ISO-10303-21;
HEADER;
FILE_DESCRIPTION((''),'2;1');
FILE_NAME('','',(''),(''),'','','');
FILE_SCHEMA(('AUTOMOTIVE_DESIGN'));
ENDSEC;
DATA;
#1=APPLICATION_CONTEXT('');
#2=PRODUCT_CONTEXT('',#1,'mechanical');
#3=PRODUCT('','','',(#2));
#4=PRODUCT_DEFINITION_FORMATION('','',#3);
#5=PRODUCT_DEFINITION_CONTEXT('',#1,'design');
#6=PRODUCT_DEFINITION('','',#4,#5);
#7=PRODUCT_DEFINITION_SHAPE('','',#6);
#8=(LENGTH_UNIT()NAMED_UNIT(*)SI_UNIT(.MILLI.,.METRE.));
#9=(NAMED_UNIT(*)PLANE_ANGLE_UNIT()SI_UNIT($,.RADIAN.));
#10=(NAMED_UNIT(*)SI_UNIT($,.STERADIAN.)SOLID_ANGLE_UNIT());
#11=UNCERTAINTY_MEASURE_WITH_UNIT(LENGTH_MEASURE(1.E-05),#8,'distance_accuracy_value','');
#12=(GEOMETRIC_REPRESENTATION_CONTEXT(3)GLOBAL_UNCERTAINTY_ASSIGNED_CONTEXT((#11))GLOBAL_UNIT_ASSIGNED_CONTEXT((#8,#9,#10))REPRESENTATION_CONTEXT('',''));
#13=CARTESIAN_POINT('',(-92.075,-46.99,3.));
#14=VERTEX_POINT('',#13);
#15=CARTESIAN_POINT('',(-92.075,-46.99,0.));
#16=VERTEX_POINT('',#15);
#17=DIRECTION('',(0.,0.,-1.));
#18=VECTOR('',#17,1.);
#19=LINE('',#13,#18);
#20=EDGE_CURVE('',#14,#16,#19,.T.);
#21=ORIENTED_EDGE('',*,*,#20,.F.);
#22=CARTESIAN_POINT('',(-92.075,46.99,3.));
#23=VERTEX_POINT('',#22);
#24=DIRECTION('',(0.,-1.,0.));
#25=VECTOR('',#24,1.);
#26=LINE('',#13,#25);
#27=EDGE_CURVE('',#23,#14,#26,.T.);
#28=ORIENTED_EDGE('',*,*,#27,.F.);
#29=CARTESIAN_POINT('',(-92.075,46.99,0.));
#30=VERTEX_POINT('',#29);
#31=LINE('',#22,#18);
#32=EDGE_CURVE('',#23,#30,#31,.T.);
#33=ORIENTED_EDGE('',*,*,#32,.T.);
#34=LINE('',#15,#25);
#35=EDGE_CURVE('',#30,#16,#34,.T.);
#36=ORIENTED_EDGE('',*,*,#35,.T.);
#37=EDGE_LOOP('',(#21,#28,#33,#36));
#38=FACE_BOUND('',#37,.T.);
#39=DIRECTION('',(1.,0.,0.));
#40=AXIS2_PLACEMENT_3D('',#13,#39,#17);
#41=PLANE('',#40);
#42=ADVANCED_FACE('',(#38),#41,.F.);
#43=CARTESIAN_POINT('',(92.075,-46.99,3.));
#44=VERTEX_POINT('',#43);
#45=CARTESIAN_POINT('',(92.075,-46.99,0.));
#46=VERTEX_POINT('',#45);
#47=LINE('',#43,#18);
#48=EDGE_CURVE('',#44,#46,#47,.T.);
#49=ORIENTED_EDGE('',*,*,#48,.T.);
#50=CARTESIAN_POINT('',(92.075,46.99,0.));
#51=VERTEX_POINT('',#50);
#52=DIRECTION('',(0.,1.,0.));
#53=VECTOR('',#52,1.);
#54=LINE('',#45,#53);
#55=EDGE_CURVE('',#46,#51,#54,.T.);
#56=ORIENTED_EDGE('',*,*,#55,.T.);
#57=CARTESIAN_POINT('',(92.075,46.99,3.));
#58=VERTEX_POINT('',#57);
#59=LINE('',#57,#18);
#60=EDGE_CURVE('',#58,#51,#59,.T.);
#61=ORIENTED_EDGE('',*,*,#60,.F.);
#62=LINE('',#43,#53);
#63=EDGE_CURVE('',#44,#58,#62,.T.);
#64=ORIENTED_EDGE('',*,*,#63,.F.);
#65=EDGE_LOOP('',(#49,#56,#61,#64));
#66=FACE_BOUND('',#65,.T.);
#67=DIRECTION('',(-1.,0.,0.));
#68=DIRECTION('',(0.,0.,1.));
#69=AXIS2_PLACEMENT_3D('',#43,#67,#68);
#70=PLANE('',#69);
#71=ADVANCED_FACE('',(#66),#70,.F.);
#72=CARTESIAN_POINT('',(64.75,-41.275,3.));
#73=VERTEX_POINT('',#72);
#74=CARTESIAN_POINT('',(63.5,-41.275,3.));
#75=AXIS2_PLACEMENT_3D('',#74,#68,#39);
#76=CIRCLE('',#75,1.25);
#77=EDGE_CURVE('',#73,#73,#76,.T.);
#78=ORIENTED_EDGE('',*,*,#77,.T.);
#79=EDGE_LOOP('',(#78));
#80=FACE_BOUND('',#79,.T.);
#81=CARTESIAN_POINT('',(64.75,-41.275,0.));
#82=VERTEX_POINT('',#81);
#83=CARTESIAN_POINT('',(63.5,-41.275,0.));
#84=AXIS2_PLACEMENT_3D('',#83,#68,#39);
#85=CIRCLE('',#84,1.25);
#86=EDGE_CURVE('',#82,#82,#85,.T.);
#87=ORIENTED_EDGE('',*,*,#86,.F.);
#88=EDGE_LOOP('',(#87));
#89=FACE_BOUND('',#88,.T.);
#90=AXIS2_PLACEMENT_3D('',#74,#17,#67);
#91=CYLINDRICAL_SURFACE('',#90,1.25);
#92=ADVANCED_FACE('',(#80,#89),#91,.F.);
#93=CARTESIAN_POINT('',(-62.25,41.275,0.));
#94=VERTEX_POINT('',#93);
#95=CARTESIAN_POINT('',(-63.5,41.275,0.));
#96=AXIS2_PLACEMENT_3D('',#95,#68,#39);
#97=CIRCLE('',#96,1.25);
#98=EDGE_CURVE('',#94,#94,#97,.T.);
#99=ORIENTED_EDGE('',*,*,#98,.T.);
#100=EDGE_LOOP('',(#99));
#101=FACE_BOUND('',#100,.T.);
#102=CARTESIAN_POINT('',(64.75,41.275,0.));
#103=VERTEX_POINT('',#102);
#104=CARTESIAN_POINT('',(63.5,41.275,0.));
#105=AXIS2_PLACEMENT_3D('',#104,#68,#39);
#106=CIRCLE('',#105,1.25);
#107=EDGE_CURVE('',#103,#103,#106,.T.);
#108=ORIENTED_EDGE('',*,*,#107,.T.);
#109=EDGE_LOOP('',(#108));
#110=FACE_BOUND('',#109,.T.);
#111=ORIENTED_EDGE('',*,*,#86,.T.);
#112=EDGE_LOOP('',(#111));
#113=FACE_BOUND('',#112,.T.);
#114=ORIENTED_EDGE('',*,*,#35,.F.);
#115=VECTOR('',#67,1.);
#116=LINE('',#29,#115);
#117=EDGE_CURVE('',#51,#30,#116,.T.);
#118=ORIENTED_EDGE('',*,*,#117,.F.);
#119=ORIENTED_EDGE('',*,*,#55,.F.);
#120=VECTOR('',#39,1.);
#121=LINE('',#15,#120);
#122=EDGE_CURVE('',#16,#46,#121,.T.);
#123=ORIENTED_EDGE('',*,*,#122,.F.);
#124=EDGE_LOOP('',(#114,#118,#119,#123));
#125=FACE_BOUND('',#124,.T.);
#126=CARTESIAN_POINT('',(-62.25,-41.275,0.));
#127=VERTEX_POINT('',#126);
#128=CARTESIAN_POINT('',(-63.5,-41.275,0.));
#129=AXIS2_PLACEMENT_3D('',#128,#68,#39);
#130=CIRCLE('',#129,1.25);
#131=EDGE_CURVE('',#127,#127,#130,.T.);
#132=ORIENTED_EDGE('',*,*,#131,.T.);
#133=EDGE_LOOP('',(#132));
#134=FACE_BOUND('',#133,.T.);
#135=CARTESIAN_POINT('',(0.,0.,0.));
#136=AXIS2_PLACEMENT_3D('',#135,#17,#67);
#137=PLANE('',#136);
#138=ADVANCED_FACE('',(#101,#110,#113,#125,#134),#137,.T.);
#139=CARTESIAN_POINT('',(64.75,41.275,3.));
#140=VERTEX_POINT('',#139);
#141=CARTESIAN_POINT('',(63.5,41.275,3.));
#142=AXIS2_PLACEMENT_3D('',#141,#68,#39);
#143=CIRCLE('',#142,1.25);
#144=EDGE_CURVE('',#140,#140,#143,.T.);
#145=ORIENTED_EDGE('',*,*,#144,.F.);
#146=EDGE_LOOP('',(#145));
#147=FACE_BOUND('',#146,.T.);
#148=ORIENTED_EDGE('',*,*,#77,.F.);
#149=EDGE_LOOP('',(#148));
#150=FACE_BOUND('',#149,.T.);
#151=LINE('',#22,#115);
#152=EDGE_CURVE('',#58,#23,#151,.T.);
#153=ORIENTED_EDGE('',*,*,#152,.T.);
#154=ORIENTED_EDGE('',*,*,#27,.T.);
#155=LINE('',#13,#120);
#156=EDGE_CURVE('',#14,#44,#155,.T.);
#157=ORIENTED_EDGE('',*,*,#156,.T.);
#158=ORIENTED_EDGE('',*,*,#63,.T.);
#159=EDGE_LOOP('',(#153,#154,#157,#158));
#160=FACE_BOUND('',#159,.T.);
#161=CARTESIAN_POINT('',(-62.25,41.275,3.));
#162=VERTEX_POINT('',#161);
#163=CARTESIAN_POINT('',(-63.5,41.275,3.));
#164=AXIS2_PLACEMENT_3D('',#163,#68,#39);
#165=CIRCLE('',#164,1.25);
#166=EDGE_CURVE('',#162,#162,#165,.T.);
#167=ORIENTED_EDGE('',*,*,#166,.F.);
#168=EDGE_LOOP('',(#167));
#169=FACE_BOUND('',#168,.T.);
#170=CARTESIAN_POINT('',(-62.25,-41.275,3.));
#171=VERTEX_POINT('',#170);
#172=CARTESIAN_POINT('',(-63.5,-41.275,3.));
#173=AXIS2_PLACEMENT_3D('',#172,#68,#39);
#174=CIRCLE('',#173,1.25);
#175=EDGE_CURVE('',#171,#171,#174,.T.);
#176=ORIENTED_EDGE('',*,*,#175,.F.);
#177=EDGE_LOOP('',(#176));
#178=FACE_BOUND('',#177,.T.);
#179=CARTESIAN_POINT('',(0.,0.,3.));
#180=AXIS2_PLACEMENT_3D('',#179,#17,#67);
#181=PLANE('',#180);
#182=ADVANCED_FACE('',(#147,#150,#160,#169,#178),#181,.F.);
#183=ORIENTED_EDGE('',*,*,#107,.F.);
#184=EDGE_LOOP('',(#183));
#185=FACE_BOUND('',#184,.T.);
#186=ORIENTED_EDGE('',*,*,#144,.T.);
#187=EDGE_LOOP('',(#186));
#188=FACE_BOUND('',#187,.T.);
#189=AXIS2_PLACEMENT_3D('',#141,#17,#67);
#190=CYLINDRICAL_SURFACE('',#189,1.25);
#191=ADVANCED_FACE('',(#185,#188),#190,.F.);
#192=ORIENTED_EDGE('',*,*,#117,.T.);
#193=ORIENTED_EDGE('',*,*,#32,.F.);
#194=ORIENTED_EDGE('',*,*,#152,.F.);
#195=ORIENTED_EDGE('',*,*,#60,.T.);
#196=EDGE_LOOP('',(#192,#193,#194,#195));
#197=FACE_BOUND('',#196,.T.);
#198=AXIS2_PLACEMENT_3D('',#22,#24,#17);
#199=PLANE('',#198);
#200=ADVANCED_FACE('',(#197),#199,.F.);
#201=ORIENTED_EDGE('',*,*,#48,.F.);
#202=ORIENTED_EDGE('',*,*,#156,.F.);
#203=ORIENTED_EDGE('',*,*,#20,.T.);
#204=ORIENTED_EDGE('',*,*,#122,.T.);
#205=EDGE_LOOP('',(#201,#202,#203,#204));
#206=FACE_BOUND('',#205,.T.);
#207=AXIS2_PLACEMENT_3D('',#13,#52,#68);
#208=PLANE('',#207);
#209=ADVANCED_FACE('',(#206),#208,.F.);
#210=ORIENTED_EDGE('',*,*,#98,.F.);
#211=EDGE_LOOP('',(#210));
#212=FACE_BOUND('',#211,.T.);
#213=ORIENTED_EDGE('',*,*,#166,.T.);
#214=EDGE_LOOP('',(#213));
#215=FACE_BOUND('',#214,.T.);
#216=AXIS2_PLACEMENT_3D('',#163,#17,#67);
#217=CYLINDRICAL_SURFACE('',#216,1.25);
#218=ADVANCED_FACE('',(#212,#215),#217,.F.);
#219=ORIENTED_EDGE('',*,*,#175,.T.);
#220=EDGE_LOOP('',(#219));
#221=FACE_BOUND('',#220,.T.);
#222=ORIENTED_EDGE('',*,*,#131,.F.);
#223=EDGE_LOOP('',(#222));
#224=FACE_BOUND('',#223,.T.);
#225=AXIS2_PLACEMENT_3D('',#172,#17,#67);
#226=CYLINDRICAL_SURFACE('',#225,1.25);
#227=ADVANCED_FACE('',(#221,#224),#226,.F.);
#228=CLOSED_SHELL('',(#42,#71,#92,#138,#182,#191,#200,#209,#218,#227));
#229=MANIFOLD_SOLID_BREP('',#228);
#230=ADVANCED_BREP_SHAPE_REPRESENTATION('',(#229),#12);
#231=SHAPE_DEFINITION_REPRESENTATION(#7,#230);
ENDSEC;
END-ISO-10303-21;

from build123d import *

# Parameters (mm, degrees)
SKETCH2_W           = 184.15
SKETCH2_H           = 93.98
SKETCH2_R           = 1.25
BOSS_EXTRUDE1_DEPTH = 3


with BuildPart() as part:
    # Sketch2 → Boss-Extrude1 (new body)
    with BuildSketch(Plane.XY):
        Rectangle(SKETCH2_W, SKETCH2_H)
        with Locations((-63.5, 41.275)):
            Circle(SKETCH2_R, mode=Mode.SUBTRACT)
        with Locations((63.5, -41.275)):
            Circle(SKETCH2_R, mode=Mode.SUBTRACT)
        with Locations((-63.5, -41.275)):
            Circle(SKETCH2_R, mode=Mode.SUBTRACT)
        with Locations((63.5, 41.275)):
            Circle(SKETCH2_R, mode=Mode.SUBTRACT)
    extrude(amount=BOSS_EXTRUDE1_DEPTH)


solid = part.part
